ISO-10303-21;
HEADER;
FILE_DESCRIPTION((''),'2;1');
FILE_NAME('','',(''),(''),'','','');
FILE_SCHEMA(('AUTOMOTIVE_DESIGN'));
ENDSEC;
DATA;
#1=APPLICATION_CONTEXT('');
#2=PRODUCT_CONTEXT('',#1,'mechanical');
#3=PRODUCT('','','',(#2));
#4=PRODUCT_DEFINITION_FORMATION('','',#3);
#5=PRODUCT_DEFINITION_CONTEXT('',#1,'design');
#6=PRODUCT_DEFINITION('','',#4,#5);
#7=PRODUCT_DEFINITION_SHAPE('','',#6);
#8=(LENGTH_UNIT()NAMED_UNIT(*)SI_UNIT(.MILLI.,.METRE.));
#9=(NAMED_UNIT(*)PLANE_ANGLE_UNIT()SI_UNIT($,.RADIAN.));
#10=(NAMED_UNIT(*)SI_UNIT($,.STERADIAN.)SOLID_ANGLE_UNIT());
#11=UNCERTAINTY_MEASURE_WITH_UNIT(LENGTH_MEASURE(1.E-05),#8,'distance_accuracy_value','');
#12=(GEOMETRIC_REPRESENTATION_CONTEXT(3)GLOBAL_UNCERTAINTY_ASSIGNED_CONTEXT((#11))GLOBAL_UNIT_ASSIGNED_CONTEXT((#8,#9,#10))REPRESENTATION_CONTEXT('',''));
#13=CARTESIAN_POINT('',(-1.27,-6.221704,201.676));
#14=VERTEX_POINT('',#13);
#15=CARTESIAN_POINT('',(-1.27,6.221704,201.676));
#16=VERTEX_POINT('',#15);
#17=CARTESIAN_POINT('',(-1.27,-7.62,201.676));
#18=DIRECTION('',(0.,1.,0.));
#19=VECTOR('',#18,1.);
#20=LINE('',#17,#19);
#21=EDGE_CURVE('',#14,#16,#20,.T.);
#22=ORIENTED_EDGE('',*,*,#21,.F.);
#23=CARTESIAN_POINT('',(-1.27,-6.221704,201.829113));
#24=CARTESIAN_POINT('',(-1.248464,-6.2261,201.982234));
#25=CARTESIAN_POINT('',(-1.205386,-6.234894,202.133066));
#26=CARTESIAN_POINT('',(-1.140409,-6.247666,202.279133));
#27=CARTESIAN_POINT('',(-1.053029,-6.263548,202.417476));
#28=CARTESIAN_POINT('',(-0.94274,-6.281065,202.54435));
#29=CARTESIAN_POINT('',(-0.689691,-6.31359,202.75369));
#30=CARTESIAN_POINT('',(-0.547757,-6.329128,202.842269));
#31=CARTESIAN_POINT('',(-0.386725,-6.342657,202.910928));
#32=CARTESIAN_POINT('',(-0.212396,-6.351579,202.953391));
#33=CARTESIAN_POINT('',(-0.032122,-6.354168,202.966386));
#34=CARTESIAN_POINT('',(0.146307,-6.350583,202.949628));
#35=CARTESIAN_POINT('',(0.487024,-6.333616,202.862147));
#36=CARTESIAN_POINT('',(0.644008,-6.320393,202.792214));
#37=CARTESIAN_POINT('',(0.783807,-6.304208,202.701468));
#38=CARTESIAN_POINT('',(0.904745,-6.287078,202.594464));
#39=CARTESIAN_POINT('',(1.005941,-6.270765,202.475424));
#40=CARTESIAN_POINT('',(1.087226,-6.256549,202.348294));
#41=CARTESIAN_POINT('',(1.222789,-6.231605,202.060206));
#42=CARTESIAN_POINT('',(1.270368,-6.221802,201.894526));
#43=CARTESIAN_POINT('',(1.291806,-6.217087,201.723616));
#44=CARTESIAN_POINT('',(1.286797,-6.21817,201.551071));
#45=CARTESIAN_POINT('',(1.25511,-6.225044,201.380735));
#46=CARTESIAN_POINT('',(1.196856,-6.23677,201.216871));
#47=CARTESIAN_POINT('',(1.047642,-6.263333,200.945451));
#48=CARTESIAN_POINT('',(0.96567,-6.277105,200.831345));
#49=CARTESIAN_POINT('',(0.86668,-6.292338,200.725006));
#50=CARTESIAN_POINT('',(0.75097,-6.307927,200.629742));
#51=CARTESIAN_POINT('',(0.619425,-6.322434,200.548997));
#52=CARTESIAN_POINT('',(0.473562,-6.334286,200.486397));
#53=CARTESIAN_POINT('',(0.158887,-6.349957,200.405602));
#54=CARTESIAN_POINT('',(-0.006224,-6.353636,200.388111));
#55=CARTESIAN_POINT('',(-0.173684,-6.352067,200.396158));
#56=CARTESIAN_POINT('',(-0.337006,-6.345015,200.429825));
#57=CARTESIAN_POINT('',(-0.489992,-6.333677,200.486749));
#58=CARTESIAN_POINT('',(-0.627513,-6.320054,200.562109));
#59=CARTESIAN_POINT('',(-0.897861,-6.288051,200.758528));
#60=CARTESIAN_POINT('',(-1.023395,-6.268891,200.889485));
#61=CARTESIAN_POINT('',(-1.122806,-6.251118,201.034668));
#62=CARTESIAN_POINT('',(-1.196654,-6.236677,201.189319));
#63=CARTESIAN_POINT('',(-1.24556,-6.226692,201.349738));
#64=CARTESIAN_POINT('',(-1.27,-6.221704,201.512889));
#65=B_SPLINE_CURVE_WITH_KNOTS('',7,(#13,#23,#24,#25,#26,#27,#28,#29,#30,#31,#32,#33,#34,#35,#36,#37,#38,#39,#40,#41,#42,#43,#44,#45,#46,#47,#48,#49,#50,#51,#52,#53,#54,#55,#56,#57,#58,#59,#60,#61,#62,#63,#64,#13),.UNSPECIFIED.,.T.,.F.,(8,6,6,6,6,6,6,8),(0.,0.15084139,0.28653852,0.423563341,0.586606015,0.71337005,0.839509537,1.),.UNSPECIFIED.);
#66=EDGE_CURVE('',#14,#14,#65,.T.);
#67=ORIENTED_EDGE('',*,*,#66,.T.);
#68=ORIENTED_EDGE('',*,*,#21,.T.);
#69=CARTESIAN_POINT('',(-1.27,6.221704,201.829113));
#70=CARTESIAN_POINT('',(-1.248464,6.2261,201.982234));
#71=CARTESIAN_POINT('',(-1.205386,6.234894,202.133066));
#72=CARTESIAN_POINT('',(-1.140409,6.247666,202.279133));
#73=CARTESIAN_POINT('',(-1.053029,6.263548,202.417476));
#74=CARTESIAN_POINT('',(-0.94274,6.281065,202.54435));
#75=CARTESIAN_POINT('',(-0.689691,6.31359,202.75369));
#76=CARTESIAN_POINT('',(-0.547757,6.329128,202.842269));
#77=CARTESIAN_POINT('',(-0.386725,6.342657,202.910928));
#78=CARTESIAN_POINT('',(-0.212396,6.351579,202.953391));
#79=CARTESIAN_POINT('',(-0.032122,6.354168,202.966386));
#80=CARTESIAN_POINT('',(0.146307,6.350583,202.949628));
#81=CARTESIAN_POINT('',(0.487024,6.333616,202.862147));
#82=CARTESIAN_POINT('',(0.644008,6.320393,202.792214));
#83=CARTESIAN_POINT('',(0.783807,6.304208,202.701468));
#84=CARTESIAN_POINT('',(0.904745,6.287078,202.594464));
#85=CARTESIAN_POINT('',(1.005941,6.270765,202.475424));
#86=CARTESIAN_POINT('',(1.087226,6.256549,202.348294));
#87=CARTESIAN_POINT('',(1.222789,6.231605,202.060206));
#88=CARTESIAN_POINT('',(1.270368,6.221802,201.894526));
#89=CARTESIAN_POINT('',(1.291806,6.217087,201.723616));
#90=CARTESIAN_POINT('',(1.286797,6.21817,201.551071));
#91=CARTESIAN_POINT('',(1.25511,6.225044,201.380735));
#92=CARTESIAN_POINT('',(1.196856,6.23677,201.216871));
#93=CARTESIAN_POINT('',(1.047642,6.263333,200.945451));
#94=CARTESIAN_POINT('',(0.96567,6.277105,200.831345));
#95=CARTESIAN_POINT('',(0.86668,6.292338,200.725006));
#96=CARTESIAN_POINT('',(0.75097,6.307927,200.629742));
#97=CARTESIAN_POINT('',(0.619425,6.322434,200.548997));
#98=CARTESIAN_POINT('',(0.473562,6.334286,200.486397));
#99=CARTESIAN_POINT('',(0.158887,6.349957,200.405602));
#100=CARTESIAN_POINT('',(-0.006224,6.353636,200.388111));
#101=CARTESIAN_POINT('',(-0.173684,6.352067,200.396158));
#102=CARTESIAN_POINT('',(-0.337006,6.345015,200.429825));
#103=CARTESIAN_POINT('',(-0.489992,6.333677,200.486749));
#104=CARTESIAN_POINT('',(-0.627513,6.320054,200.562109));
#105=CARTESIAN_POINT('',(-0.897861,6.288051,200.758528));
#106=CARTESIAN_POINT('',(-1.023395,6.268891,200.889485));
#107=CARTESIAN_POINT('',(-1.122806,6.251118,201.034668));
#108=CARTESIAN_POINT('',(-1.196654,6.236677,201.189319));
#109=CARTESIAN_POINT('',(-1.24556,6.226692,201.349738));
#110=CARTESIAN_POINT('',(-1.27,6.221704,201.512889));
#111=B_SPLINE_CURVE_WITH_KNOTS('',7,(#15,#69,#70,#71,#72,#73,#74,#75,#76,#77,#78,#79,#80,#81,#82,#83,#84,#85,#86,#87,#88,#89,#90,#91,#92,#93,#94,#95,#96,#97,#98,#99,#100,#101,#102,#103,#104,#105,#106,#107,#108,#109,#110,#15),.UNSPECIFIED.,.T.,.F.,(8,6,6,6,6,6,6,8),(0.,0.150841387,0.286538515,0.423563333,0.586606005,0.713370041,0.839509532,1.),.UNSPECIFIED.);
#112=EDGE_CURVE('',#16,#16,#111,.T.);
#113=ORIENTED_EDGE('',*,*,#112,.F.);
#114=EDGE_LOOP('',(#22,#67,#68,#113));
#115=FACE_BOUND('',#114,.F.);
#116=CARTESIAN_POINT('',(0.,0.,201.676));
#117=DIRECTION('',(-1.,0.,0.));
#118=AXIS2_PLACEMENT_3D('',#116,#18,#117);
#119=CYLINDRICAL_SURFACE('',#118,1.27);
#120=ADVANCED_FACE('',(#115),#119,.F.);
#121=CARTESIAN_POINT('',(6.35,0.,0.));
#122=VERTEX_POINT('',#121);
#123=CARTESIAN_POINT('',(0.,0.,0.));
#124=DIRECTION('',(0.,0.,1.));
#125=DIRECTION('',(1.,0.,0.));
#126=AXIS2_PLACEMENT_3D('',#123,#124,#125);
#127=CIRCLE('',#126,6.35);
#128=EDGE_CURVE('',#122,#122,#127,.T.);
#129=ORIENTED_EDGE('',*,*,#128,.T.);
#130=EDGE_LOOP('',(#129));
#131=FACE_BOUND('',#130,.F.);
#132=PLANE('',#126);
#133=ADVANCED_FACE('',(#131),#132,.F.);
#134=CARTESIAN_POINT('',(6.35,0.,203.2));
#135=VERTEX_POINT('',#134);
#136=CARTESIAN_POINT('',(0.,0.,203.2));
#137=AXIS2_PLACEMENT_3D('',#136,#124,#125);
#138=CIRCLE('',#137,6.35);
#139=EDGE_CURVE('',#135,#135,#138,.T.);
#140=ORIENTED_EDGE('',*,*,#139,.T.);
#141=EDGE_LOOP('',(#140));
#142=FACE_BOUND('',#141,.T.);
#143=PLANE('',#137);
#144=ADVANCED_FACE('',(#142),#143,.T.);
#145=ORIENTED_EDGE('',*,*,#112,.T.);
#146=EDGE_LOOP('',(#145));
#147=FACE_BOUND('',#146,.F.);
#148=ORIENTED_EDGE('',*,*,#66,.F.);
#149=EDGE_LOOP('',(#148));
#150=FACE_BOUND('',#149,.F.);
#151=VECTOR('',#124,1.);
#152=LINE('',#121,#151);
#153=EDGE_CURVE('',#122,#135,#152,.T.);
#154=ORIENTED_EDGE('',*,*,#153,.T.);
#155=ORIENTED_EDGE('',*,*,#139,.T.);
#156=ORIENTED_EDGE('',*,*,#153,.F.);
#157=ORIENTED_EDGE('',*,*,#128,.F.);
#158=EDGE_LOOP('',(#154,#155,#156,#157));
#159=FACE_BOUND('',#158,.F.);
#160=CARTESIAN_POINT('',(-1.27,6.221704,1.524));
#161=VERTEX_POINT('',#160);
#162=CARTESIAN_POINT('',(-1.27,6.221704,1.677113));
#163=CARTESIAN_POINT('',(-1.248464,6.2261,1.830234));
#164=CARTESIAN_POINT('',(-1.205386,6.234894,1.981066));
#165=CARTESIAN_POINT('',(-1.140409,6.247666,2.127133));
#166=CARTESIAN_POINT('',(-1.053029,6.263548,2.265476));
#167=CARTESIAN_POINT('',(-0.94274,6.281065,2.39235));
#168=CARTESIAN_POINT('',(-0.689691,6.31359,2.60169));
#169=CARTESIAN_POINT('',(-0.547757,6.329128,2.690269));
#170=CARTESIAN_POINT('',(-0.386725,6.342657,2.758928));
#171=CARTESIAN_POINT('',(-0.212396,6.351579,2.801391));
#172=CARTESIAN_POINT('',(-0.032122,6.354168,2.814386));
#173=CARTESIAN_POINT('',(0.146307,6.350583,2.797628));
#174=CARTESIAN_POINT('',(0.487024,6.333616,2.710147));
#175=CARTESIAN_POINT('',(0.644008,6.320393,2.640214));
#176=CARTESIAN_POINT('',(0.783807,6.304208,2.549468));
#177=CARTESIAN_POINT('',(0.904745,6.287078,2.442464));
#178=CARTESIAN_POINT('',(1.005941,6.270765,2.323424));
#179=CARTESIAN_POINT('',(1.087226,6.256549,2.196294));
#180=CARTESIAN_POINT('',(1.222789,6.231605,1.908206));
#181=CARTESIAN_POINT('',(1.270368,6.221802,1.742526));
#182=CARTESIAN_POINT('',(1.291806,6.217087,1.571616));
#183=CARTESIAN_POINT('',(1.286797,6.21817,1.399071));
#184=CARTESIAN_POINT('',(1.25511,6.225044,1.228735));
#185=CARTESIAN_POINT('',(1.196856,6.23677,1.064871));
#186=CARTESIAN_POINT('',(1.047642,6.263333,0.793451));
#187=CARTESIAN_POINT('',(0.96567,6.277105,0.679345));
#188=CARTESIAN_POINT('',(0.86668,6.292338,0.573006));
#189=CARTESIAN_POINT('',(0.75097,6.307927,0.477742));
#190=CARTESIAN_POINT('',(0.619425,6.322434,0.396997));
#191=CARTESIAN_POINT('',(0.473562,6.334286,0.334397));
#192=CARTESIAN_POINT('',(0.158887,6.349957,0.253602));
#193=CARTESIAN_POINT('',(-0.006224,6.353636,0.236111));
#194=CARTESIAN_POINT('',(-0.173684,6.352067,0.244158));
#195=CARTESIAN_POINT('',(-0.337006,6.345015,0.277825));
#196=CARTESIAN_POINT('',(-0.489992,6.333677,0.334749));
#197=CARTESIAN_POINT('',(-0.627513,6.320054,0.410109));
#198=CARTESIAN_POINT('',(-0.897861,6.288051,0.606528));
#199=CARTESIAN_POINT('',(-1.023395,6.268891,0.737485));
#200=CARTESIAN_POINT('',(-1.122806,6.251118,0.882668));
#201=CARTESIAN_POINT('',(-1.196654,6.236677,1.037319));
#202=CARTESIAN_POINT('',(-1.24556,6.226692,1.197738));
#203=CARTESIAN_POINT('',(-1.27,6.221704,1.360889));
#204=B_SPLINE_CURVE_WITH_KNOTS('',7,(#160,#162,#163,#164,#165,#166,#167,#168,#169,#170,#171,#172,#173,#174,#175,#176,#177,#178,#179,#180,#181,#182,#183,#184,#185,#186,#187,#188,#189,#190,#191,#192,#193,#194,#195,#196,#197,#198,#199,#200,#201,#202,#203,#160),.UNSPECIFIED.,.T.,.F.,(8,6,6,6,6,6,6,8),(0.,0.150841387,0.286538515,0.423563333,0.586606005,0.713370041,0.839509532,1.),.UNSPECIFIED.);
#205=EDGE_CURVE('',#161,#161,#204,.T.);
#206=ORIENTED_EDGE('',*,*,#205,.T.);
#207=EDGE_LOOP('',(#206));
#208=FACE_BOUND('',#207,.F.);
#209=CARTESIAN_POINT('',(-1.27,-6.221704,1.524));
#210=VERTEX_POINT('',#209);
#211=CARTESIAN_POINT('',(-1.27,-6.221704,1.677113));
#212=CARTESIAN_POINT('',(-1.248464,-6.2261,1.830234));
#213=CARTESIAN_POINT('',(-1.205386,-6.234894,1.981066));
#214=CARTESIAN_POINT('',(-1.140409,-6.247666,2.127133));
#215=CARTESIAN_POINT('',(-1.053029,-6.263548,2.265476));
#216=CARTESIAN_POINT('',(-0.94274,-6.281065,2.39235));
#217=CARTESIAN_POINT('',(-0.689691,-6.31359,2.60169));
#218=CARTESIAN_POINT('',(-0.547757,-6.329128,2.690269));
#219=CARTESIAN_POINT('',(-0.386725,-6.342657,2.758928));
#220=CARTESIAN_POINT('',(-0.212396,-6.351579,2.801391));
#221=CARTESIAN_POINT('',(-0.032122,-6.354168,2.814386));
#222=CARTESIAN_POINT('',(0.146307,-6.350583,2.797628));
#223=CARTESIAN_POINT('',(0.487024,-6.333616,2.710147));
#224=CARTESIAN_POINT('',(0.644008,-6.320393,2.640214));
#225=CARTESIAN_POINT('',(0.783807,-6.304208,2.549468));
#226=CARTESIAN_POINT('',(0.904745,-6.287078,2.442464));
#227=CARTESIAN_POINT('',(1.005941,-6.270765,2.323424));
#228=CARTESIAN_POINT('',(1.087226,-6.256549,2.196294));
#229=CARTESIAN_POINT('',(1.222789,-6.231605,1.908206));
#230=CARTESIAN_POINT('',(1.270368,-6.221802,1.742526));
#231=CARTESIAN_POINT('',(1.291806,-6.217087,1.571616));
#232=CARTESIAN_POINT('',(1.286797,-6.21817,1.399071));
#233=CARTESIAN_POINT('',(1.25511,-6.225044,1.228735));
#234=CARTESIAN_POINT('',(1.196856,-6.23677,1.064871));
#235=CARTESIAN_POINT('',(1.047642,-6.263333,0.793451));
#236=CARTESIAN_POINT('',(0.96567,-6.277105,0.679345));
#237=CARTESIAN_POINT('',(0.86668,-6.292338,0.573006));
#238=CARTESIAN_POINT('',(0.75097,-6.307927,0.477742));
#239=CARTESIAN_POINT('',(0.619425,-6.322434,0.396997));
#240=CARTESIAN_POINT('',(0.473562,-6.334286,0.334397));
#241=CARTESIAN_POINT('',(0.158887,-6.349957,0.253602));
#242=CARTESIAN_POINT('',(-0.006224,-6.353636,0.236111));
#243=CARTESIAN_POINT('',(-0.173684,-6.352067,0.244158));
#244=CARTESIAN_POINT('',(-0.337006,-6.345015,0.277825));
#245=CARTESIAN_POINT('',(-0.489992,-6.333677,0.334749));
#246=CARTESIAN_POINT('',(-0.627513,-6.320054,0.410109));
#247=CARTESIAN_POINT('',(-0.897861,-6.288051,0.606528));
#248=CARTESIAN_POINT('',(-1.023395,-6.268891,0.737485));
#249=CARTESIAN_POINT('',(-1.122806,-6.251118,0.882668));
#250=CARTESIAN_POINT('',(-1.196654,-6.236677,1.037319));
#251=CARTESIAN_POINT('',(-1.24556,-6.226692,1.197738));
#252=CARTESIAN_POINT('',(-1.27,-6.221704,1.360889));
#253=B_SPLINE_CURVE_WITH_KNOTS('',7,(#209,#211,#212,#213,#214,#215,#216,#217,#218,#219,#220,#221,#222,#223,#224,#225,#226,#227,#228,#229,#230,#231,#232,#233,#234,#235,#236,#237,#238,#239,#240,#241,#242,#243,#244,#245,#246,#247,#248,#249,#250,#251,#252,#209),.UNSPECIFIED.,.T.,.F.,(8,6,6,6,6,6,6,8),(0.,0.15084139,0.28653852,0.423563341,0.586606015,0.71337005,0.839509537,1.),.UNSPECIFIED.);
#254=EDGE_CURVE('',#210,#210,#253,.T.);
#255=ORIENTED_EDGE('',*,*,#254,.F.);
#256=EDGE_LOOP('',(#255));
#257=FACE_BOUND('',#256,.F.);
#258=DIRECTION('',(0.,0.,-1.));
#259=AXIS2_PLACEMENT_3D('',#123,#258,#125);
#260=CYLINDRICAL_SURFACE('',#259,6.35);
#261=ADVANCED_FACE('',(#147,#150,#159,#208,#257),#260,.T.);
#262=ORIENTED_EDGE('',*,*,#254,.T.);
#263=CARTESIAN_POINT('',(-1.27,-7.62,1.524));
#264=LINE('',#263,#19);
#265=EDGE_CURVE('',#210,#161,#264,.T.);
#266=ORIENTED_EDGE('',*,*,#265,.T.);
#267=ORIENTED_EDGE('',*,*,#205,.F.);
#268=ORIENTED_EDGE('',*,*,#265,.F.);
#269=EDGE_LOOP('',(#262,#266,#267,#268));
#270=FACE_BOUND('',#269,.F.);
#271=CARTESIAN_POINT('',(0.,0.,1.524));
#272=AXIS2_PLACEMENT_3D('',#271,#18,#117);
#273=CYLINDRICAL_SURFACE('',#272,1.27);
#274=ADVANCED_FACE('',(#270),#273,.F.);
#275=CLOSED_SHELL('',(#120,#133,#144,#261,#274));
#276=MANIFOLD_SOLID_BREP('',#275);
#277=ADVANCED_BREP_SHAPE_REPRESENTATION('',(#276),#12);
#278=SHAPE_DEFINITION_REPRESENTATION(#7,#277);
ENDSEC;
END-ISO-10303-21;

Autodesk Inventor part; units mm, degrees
ref_plane "YZ Plane" through (0, 0, 0) normal (1, 0, 0) x (0, 1, 0)
ref_plane "XZ Plane" through (0, 0, 0) normal (0, 1, 0) x (-1, 0, 0)
ref_plane "XY Plane" through (0, 0, 0) normal (0, 0, 1) x (1, 0, 0)
sketch "Sketch1" plane through (0, 0, 0) normal (0, 0, 1) x (1, 0, 0)
  circle A0 centre (0, 0) radius 6.35
  dimension "d0" = 12.7
extrude "Extrusion1" add sketch "Sketch1" along normal blind 203.2
sketch "Sketch4" plane through (0, 0, 0) normal (0, 1, 0) x (-1, 0, 0)
  line L0 (0, 0) -> (0, 1.524)
  line L1 (6.35, 203.2) -> (-6.35, 203.2) projected
  line L2 (0, 203.2) -> (0, 201.676)
  circle A0 centre (0, 201.676) radius 1.27
  circle A1 centre (0, 1.524) radius 1.27
  dimension "d13" = 1.524
  dimension "d15" = 1.524
  dimension "d16" = 2.54
  dimension "d19" = 2.54
extrude "Extrusion4" cut sketch "Sketch4" along normal mid plane 15.24
properties part number "Straw"
